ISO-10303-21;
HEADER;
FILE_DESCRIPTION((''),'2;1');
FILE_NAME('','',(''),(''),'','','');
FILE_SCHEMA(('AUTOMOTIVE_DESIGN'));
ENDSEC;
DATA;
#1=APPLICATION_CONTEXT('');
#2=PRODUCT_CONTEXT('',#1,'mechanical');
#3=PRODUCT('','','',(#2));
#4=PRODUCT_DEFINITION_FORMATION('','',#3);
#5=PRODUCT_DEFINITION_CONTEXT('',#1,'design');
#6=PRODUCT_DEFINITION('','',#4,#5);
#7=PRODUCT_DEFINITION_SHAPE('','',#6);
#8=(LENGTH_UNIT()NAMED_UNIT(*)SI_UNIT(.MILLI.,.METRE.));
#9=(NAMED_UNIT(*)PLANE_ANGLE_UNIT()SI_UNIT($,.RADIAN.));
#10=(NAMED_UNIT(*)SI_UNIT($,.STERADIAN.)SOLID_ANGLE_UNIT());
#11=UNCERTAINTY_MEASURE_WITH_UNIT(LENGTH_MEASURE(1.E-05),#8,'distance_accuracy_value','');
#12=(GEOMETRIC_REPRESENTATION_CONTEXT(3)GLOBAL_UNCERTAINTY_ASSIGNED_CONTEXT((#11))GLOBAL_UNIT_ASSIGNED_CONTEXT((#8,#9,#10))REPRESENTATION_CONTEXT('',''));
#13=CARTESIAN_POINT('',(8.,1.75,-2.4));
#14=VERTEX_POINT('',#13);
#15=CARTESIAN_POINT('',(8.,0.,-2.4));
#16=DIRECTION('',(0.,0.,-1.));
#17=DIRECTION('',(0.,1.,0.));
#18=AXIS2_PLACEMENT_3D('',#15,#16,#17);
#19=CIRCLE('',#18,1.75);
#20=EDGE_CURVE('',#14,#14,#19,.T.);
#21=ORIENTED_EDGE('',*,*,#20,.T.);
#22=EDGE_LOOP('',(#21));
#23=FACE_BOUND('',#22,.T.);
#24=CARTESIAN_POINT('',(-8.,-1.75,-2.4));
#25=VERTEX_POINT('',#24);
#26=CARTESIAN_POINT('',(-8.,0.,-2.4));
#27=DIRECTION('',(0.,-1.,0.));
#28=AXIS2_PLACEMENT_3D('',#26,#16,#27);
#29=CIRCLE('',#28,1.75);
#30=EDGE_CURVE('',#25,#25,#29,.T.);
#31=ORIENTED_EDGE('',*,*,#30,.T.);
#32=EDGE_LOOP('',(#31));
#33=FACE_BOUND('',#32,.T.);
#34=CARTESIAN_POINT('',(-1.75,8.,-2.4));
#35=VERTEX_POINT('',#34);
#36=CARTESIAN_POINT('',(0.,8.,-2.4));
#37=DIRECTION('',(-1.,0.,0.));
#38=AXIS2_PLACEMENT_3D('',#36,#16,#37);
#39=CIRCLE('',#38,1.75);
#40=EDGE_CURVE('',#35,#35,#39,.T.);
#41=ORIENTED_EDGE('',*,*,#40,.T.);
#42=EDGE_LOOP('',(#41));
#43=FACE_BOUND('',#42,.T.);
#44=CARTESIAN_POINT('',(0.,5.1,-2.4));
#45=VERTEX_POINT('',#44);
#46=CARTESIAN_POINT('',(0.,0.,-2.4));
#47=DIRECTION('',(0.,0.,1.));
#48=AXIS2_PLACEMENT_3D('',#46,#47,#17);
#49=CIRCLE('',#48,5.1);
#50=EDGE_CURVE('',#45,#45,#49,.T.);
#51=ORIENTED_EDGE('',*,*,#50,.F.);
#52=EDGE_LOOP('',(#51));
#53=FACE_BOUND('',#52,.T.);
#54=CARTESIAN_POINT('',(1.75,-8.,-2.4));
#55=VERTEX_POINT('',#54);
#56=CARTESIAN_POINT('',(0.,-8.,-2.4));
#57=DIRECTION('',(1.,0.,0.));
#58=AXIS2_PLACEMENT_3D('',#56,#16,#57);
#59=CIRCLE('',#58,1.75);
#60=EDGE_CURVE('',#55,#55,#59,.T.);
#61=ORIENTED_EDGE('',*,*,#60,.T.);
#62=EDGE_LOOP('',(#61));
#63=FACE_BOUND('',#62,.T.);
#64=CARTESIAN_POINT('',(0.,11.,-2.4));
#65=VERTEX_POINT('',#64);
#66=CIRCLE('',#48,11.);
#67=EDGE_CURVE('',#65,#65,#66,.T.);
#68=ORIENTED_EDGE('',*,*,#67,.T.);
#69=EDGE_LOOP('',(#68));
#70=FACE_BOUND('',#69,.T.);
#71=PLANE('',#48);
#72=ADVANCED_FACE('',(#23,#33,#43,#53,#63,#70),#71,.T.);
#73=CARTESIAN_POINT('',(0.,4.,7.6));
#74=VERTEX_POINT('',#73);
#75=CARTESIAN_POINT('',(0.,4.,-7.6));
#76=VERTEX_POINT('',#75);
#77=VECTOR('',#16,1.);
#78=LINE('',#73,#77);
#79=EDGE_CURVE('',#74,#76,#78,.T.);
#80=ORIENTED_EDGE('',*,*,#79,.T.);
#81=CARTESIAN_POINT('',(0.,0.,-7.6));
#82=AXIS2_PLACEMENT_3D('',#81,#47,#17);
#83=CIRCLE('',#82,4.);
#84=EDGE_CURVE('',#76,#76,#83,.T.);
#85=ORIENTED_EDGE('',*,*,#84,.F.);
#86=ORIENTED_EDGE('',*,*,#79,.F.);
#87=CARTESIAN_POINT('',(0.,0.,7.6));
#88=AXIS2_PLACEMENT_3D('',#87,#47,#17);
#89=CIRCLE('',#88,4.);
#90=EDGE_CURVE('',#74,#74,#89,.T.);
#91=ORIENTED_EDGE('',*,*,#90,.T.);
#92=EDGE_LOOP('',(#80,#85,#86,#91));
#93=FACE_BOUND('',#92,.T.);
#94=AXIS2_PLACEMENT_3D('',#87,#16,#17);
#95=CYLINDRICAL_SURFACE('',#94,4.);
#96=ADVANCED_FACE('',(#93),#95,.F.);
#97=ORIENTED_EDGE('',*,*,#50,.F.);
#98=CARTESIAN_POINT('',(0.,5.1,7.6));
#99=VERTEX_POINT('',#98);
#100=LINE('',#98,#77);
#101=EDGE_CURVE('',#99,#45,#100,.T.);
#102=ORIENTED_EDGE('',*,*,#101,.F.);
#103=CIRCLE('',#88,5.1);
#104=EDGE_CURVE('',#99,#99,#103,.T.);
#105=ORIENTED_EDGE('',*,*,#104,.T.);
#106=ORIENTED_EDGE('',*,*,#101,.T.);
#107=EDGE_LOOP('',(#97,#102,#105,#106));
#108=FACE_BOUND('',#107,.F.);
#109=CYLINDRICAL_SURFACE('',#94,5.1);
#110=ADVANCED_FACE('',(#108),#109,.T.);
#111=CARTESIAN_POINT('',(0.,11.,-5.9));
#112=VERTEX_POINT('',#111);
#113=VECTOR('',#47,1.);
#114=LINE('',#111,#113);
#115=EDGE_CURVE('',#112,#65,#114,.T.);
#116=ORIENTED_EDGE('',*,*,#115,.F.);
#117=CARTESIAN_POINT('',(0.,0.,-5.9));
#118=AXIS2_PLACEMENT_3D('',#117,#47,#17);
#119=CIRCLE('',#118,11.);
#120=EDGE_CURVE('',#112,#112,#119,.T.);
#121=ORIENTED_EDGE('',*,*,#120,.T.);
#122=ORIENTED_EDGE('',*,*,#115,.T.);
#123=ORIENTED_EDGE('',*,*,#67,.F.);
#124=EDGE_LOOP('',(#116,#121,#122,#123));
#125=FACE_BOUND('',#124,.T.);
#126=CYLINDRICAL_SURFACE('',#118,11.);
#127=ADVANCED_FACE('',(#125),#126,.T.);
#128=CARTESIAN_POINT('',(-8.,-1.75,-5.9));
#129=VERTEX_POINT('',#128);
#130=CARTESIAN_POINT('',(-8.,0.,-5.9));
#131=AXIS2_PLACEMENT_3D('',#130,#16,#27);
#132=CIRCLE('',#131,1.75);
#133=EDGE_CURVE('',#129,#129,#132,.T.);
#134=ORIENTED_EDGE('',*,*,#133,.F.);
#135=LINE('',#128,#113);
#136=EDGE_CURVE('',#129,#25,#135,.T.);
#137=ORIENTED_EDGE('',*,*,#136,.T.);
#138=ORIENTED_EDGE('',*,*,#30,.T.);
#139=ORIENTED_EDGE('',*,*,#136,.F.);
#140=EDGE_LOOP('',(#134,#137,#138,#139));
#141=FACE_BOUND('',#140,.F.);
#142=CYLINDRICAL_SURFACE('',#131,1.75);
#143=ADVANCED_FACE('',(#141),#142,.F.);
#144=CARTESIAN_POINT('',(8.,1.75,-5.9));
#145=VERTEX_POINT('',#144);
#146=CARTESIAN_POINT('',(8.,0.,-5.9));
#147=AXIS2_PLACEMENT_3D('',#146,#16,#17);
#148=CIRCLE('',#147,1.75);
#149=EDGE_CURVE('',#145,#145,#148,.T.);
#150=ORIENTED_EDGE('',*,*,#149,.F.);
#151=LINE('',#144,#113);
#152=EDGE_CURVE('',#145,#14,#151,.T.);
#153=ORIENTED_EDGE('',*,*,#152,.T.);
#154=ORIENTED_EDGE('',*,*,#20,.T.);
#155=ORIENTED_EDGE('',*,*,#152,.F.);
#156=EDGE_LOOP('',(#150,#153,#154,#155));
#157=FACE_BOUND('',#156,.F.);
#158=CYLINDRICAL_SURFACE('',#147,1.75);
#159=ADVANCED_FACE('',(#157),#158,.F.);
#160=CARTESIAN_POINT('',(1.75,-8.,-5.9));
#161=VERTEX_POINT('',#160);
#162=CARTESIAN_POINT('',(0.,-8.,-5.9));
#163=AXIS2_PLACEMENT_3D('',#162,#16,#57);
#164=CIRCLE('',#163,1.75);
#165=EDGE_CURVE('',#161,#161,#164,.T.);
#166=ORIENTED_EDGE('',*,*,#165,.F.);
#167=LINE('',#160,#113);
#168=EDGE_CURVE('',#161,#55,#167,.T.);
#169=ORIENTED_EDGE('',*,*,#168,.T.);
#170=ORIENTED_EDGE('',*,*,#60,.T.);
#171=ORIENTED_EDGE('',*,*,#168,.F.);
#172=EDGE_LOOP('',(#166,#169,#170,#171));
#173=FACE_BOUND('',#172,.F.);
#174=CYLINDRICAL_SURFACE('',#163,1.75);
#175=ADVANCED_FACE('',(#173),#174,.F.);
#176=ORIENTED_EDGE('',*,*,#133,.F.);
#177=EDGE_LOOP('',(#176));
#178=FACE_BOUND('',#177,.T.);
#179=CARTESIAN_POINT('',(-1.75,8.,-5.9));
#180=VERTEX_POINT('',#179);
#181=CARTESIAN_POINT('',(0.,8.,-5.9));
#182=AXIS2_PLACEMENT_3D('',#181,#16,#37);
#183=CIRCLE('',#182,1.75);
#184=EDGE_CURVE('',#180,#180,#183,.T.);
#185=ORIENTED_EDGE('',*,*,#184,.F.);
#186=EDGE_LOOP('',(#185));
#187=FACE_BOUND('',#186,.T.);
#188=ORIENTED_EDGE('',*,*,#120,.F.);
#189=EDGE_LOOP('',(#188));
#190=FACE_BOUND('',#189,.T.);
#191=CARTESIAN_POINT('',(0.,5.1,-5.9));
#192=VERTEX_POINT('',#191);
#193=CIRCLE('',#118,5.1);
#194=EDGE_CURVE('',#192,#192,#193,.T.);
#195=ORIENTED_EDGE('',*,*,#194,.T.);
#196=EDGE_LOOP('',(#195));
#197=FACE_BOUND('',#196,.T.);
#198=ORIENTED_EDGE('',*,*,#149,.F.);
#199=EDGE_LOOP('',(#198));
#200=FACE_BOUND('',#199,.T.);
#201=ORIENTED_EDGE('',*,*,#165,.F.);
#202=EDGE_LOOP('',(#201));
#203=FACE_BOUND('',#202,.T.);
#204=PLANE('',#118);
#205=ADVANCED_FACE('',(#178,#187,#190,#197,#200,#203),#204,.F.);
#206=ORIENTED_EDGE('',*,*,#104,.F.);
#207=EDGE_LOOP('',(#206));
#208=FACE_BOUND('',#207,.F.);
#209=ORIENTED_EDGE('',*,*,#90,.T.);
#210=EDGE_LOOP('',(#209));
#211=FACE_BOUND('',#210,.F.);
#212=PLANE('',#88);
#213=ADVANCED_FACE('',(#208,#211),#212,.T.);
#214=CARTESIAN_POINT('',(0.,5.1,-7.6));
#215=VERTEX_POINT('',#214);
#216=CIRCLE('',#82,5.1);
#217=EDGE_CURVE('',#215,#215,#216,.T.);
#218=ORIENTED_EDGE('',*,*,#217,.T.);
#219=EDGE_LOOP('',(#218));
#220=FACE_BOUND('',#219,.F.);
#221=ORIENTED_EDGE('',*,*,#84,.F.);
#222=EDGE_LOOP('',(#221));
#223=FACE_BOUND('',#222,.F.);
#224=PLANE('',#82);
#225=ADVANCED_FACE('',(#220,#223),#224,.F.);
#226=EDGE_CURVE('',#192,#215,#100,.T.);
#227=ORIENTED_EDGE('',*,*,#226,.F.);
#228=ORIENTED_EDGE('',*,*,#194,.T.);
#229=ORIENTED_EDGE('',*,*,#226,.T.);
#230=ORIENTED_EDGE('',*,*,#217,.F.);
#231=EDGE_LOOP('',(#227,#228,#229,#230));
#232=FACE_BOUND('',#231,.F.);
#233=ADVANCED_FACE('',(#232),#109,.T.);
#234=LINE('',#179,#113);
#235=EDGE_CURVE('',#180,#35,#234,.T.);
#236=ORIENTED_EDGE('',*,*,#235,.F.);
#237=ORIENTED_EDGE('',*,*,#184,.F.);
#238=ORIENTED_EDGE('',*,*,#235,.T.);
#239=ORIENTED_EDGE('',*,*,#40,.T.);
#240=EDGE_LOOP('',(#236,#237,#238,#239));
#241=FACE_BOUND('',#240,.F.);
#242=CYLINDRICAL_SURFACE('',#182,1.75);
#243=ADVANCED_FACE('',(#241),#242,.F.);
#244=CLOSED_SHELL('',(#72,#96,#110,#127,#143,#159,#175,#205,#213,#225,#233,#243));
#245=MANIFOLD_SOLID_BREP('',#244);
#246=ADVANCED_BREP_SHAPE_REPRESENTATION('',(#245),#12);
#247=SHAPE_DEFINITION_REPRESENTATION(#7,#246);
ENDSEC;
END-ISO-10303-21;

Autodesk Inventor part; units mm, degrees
ref_plane "YZ Plane" through (0, 0, 0) normal (1, 0, 0) x (0, 1, 0)
ref_plane "XZ Plane" through (0, 0, 0) normal (0, 1, 0) x (-1, 0, 0)
ref_plane "XY Plane" through (0, 0, 0) normal (0, 0, 1) x (1, 0, 0)
sketch "Sketch1" plane through (0, 0, 0) normal (1, 0, 0) x (0, 1, 0)
  line L0 (5.1, -7.6) -> (0, -7.6)
  line L1 (0, -7.6) -> (0, 7.6) construction
  line L2 (0, 7.6) -> (5.1, 7.6)
  line L3 (5.1, 7.6) -> (5.1, -7.6)
  line L4 (11, -2.4) -> (5.1, -2.4)
  line L5 (5.1, -2.4) -> (5.1, -5.9)
  line L6 (5.1, -5.9) -> (11, -5.9)
  line L7 (11, -5.9) -> (11, -2.4)
  line L8 (4, 7.6) -> (4, -7.6)
  point P0 (0, 0)
  point P1 (0, 0)
  dimension "d0" = 5.1
  dimension "d1" = 15.2
  dimension "d2" = 3.5
  dimension "d3" = 10
  dimension "d4" = 11
  dimension "d5" = 0
  dimension "d6" = 4
revolve "Revolution1" add sketch "Sketch1" angle 360 about axis through (0, 0, -7.6) along (0, 0, 1)
sketch "Sketch2" plane through (0, 0, -5.9) normal (0, 0, -1) x (-1, 0, 0)
  circle A0 centre (0, 0) radius 11 projected
  circle A1 centre (0, 0) radius 5.1 projected
  circle A2 centre (0, 8) radius 1.75
  point P0 (0, 0)
  dimension "d8" = 3.5
  dimension "d9" = 8
extrude "Extrusion1" cut sketch "Sketch2" against normal blind 4 contours A2
pattern_circular "Circular Pattern1" count 4 over 360 about axis through (0, 0, -10) along (0, 0, 1) of "Extrusion1"
properties part number "LeadScrewNut"
